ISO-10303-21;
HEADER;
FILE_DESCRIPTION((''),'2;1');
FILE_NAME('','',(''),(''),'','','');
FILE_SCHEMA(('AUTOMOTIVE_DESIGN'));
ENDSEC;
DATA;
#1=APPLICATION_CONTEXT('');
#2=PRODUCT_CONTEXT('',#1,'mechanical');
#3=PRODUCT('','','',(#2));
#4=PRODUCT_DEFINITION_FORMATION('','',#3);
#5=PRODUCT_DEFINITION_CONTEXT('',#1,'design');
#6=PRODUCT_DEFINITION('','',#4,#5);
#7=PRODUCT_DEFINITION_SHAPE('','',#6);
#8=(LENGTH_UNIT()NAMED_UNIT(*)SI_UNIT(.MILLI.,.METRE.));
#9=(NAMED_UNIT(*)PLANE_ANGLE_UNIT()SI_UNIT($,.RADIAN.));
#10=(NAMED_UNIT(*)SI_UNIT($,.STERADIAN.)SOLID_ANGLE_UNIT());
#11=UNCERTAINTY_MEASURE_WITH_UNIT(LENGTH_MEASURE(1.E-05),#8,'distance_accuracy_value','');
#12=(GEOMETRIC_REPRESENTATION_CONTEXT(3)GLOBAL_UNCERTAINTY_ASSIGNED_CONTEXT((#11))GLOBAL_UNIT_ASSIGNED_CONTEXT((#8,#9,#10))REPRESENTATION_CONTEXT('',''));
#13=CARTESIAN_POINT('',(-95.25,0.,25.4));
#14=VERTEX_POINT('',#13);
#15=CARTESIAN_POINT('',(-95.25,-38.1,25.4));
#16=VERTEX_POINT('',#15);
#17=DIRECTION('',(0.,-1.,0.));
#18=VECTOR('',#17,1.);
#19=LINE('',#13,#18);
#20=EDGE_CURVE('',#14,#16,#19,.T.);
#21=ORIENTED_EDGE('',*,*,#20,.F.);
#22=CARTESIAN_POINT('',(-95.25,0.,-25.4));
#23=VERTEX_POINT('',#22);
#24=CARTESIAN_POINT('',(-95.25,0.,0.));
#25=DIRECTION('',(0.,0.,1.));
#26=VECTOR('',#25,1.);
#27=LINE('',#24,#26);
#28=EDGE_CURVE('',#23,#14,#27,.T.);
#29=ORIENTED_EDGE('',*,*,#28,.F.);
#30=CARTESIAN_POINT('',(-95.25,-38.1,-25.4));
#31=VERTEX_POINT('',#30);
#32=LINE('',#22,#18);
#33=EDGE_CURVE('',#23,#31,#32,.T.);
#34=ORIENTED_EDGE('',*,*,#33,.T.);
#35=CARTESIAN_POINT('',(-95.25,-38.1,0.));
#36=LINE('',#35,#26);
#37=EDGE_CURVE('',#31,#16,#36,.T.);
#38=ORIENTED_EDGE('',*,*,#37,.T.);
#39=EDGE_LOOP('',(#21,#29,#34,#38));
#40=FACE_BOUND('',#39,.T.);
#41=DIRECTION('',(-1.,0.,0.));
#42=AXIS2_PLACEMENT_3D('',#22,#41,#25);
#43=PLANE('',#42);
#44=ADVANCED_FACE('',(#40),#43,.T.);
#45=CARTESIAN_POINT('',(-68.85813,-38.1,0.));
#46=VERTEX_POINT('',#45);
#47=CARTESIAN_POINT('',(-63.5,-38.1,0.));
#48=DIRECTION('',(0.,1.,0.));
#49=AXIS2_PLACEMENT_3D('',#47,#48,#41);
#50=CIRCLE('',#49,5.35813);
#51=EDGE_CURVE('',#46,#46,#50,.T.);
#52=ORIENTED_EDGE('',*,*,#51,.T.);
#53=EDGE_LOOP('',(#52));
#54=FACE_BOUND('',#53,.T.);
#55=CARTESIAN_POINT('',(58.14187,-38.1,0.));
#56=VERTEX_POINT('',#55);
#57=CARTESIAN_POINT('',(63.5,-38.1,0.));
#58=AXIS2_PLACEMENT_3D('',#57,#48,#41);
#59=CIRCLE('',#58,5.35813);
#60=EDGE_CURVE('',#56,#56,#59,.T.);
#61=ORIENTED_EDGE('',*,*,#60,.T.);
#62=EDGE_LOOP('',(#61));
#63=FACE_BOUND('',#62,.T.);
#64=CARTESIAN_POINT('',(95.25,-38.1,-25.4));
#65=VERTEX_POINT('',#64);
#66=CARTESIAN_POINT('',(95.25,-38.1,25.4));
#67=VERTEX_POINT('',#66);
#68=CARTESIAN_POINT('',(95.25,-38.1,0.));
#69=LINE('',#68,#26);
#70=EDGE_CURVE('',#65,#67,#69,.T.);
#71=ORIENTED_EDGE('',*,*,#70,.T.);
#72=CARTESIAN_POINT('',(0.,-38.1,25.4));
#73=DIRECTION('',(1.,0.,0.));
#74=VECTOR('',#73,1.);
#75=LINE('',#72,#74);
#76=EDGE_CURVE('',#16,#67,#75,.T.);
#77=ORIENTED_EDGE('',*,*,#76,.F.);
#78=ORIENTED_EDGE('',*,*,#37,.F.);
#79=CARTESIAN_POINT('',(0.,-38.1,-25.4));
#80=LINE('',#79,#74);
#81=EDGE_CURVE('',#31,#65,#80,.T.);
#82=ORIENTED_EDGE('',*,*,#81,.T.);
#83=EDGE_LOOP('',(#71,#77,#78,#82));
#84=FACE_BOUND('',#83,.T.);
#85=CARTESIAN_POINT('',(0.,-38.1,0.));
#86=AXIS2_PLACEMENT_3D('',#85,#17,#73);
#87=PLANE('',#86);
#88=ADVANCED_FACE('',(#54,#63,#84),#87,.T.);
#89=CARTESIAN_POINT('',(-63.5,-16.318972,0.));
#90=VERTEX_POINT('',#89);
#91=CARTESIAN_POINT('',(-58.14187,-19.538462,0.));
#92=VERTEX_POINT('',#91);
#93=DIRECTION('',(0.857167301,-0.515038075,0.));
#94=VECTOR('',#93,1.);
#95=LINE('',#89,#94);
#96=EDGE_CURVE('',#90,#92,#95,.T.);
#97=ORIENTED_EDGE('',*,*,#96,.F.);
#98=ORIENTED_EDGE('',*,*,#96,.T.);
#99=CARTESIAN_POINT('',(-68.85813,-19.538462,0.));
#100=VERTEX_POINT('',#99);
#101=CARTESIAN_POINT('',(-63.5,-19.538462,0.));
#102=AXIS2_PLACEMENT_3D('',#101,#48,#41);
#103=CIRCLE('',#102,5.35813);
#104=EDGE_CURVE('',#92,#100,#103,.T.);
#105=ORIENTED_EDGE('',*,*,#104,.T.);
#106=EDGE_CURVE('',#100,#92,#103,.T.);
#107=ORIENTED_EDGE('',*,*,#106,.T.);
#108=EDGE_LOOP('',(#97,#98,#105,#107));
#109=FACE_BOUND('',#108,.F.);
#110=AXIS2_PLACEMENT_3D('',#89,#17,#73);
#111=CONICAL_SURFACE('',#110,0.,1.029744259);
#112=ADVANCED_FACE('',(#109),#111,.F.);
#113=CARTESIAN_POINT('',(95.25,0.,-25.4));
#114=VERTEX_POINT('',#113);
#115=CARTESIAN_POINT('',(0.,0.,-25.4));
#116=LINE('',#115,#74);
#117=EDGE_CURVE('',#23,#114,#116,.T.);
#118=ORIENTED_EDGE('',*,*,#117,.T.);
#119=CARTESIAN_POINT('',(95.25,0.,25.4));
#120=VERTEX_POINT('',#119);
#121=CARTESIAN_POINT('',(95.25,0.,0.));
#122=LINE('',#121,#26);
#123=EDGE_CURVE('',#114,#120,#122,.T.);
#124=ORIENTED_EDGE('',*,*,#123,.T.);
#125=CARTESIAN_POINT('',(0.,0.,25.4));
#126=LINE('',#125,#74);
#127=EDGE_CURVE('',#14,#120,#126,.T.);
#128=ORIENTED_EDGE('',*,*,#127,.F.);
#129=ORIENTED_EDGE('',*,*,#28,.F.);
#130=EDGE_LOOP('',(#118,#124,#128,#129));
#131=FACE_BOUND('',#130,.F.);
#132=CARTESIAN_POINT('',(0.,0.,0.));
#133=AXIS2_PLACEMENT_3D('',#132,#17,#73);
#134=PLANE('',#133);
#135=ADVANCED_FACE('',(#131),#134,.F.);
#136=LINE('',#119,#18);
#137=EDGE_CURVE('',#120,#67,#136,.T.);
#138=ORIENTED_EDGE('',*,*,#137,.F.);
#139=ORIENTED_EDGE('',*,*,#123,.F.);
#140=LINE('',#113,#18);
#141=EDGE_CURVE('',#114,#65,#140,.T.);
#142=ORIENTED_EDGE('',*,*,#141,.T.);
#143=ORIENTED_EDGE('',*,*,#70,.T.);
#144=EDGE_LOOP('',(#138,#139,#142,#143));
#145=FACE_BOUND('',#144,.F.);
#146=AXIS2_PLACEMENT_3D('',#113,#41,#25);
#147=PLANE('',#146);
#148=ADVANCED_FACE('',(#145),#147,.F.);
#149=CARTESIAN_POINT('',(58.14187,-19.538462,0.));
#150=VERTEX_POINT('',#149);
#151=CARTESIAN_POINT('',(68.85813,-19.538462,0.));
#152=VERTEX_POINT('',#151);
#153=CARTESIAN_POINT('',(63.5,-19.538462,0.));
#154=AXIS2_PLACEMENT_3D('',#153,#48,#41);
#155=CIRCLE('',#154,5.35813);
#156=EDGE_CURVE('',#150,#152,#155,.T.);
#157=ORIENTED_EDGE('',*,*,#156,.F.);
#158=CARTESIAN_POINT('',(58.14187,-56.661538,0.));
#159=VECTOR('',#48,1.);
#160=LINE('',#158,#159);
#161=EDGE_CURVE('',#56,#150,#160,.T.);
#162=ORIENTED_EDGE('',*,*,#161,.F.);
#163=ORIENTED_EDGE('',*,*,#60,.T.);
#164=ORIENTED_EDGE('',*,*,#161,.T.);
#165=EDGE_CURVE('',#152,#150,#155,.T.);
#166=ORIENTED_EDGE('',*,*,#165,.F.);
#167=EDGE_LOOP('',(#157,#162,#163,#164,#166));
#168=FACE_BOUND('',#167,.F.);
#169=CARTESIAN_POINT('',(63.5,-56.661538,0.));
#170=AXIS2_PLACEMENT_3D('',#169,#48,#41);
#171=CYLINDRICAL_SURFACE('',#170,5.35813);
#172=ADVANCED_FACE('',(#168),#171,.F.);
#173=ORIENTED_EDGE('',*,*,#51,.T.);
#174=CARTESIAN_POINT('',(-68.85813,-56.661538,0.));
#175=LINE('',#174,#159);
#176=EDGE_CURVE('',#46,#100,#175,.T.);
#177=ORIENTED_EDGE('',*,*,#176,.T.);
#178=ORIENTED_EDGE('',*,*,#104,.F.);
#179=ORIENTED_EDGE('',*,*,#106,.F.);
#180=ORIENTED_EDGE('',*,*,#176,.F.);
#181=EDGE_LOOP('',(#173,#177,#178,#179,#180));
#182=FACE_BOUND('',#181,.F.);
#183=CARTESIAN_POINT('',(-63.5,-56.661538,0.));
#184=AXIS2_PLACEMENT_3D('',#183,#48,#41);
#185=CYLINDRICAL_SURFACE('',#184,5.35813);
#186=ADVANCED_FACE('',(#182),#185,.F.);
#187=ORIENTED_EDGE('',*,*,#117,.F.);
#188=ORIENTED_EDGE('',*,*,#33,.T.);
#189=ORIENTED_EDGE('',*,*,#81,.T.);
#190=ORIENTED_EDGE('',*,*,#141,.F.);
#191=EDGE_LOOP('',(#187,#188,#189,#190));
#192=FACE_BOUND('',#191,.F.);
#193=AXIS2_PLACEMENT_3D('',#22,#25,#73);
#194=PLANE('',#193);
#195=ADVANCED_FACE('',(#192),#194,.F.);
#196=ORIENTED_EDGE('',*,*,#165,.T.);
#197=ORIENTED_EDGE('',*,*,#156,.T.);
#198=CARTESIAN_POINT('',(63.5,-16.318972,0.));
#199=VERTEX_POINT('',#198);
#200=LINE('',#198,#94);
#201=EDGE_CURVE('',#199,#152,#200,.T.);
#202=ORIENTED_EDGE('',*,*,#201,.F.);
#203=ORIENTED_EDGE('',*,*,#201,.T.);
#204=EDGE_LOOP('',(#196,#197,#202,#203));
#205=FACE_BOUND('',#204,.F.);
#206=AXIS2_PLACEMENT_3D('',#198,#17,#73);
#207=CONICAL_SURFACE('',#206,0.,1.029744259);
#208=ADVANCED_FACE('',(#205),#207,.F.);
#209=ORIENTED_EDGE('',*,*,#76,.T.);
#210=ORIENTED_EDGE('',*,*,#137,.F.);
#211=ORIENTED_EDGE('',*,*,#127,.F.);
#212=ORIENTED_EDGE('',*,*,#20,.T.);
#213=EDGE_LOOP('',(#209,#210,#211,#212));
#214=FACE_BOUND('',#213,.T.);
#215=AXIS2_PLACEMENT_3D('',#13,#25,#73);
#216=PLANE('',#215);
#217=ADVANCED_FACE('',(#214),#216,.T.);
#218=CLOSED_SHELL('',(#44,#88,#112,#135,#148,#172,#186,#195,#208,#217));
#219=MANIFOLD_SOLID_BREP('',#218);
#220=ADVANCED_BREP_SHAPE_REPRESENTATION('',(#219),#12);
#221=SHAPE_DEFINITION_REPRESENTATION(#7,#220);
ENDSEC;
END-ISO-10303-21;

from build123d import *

# Parameters (mm, degrees)
F0_W     = 190.5
F0_H     = 50.8
F1_DEPTH = 38.1
F3_D     = 10.71626
F3_DEPTH = 18.5615384615
F3_TIP   = 3.2194893086


with BuildPart() as f1:
    # F0 (on Front) → F1 (new body)
    with BuildSketch(Plane.XZ):
        Rectangle(F0_W, F0_H)
    extrude(amount=F1_DEPTH)

    # F3
    with Locations(Plane.XZ.offset(38.1)):
        with Locations((-63.5, 0), (63.5, 0)):
            Hole(F3_D / 2, depth=F3_DEPTH)
            with Locations((0, 0, -(F3_DEPTH + F3_TIP / 2))):  # 118° drill point
                Cone(0, F3_D / 2, F3_TIP, mode=Mode.SUBTRACT)


solid = f1.part
